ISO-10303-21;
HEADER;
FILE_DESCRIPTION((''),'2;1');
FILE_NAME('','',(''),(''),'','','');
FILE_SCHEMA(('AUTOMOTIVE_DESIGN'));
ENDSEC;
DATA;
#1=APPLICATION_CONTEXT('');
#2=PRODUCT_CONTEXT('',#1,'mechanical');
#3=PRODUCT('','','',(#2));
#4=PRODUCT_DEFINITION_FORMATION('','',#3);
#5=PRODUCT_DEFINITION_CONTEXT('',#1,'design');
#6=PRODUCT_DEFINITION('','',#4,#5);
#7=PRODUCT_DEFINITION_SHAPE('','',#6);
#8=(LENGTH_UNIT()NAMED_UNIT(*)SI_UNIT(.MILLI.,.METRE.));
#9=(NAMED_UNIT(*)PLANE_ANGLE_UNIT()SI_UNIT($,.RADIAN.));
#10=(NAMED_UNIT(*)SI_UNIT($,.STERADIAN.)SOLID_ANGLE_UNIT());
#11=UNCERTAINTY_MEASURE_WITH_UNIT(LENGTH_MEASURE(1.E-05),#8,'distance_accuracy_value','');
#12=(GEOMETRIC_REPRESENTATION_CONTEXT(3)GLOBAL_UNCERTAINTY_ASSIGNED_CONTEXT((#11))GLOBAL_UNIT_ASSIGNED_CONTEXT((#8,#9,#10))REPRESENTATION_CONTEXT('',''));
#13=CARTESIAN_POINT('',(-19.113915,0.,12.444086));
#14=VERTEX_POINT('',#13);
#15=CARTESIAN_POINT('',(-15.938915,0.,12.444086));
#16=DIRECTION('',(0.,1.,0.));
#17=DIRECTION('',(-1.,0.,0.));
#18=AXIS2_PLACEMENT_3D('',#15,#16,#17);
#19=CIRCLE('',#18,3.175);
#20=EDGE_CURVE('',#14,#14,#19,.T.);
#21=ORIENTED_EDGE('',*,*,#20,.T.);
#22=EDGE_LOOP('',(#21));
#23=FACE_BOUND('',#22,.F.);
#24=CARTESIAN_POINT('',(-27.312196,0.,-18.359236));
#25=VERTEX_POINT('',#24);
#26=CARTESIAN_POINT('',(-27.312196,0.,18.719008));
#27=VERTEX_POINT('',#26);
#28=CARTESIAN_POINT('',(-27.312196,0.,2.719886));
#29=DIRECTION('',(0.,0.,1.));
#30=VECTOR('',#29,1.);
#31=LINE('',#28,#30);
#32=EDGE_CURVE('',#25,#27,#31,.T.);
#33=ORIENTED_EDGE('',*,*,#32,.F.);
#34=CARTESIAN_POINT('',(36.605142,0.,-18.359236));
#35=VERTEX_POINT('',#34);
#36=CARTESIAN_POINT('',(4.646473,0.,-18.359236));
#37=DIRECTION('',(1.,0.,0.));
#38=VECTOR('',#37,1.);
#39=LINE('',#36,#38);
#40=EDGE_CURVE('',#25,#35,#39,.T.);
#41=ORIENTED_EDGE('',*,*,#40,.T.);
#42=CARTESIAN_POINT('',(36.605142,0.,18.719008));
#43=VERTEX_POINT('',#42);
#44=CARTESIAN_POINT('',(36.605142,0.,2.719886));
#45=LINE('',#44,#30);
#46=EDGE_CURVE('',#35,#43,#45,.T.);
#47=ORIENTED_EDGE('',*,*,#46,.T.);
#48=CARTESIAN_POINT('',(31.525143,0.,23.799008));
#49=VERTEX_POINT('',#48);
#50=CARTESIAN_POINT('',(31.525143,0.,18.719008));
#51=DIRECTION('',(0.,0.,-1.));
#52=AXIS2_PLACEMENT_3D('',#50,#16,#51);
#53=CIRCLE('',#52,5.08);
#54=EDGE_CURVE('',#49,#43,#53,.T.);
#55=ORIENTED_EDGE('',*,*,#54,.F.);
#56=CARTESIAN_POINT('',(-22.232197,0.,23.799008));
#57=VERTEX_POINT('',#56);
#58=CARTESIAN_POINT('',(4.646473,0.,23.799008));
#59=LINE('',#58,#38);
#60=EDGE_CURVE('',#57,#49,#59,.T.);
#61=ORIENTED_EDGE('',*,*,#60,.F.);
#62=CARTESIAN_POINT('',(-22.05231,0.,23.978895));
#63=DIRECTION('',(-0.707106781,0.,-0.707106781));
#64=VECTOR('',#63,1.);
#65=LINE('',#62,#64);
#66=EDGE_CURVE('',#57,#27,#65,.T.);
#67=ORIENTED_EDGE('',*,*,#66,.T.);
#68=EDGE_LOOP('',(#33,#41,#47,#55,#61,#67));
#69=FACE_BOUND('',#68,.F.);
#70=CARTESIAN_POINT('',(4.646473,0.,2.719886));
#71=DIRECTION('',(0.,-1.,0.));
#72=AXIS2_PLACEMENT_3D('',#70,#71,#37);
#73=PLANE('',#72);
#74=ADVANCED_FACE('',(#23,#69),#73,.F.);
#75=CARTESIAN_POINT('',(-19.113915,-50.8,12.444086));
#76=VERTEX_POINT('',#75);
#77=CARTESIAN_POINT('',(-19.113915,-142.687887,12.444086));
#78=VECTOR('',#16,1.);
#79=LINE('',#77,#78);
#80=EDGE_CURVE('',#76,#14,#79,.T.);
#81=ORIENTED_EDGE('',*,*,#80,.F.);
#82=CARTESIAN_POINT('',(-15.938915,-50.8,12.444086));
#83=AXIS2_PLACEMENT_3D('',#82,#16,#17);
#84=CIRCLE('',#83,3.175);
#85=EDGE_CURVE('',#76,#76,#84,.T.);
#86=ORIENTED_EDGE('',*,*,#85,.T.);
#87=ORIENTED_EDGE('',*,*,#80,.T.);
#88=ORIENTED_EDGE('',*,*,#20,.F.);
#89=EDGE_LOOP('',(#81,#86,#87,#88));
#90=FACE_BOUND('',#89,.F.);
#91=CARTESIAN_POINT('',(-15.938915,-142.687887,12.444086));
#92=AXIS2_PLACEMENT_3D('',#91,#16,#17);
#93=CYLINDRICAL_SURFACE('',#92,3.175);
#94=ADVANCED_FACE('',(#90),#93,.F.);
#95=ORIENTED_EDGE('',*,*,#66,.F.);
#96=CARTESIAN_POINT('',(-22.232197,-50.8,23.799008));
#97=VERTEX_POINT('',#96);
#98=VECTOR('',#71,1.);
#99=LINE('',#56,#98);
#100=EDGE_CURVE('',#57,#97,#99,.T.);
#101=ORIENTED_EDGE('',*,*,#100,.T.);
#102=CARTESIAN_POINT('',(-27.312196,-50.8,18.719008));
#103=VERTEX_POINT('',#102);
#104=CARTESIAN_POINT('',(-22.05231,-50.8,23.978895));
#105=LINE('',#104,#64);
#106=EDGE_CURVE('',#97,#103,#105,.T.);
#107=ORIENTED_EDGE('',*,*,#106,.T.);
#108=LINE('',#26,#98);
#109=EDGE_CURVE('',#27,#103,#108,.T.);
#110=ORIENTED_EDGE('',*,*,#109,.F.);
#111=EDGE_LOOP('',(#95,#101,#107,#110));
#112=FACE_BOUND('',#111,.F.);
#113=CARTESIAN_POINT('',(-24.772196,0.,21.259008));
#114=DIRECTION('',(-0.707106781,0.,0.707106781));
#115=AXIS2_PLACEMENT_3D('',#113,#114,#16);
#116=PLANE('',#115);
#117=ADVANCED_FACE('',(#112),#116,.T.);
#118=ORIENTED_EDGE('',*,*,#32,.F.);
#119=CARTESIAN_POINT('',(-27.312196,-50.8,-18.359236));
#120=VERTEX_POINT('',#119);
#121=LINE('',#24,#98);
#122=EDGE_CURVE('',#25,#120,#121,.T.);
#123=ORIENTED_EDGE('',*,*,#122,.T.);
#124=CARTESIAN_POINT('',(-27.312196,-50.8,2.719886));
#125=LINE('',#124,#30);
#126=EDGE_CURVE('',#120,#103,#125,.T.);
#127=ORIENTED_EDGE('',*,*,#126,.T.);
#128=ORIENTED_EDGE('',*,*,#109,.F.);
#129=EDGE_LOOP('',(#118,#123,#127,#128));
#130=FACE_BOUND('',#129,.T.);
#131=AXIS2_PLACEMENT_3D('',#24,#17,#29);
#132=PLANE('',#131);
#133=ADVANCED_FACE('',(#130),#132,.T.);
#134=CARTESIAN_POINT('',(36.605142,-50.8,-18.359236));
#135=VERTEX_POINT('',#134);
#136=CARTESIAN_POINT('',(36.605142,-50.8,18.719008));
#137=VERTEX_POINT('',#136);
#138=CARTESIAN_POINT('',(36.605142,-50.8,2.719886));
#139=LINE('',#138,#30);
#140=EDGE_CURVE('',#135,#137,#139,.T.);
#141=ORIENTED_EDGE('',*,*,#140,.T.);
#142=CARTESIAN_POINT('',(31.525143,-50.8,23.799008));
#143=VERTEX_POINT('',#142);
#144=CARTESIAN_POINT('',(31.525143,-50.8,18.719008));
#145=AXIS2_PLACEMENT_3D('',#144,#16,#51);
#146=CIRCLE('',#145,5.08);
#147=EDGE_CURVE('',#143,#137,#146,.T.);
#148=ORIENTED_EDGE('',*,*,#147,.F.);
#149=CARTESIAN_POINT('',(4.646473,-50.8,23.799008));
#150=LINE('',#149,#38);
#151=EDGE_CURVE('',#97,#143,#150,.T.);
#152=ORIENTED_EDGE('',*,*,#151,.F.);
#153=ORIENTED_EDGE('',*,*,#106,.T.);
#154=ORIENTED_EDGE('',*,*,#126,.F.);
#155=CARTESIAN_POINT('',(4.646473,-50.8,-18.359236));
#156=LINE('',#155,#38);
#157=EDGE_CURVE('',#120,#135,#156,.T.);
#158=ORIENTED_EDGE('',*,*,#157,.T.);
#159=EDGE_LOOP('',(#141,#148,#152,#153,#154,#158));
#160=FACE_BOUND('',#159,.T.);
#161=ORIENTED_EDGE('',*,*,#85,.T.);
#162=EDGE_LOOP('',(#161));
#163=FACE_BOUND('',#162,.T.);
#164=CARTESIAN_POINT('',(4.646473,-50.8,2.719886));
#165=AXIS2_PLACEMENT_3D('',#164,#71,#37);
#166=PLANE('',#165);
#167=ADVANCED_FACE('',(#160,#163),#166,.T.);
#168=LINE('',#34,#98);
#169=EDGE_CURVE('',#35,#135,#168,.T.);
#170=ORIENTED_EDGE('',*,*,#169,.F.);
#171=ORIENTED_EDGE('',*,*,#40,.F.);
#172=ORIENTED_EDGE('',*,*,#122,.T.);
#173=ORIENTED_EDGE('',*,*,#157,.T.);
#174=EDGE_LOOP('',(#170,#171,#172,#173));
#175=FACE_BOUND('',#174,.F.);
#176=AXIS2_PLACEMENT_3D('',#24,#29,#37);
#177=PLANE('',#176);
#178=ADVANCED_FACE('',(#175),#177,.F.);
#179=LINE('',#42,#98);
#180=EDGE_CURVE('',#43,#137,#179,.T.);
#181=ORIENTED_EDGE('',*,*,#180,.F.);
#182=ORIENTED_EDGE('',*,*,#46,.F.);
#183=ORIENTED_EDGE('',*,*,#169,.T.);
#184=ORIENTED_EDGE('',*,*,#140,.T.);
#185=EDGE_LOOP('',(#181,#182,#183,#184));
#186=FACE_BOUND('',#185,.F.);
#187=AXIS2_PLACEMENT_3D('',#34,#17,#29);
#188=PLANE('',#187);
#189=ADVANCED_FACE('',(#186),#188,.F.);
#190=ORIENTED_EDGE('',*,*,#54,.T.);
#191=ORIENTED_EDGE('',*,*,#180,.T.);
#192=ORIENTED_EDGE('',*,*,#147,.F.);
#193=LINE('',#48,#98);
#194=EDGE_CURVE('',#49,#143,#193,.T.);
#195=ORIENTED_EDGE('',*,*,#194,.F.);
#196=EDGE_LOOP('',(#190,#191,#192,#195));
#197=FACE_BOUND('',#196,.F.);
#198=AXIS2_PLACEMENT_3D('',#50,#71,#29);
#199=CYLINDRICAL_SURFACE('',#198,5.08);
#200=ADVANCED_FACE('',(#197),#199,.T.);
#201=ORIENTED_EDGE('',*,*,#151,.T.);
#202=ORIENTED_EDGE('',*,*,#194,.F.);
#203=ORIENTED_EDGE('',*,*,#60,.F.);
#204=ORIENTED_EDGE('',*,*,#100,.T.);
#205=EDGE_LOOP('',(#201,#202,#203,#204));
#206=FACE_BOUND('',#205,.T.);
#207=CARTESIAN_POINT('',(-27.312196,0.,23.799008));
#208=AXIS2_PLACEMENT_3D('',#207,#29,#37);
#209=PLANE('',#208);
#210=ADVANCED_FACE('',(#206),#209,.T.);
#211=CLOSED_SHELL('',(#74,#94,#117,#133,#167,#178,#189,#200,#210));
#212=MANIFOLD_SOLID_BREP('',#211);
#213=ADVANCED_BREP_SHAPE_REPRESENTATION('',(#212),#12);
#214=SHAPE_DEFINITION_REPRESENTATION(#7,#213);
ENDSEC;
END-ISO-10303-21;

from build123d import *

# Parameters (mm, degrees)
F0_W     = 63.917339
F0_H     = 42.158244
F1_DEPTH = 50.8
F3_D     = 6.35
F4_R     = 5.08
F5_SIZE  = 5.08


with BuildPart() as f1:
    # F0 (on Front) → F1 (new body)
    with BuildSketch(Plane.XZ):
        with Locations((4.646473, 2.719886)):
            Rectangle(F0_W, F0_H)
    extrude(amount=F1_DEPTH)

    # F3 (through all)
    with Locations(Plane.XZ.offset(50.8)):
        with Locations((-15.938915, 12.444086)):
            Hole(F3_D / 2)

    # F4
    f4_edges = [f1.edges().sort_by_distance(p)[0] for p in [
        (36.605142, -25.4, 23.799008),
    ]]
    fillet(f4_edges, radius=F4_R)

    # F5
    f5_edges = [f1.edges().sort_by_distance(p)[0] for p in [
        (-27.312197, -25.4, 23.799008),
    ]]
    chamfer(f5_edges, length=F5_SIZE)


solid = f1.part
